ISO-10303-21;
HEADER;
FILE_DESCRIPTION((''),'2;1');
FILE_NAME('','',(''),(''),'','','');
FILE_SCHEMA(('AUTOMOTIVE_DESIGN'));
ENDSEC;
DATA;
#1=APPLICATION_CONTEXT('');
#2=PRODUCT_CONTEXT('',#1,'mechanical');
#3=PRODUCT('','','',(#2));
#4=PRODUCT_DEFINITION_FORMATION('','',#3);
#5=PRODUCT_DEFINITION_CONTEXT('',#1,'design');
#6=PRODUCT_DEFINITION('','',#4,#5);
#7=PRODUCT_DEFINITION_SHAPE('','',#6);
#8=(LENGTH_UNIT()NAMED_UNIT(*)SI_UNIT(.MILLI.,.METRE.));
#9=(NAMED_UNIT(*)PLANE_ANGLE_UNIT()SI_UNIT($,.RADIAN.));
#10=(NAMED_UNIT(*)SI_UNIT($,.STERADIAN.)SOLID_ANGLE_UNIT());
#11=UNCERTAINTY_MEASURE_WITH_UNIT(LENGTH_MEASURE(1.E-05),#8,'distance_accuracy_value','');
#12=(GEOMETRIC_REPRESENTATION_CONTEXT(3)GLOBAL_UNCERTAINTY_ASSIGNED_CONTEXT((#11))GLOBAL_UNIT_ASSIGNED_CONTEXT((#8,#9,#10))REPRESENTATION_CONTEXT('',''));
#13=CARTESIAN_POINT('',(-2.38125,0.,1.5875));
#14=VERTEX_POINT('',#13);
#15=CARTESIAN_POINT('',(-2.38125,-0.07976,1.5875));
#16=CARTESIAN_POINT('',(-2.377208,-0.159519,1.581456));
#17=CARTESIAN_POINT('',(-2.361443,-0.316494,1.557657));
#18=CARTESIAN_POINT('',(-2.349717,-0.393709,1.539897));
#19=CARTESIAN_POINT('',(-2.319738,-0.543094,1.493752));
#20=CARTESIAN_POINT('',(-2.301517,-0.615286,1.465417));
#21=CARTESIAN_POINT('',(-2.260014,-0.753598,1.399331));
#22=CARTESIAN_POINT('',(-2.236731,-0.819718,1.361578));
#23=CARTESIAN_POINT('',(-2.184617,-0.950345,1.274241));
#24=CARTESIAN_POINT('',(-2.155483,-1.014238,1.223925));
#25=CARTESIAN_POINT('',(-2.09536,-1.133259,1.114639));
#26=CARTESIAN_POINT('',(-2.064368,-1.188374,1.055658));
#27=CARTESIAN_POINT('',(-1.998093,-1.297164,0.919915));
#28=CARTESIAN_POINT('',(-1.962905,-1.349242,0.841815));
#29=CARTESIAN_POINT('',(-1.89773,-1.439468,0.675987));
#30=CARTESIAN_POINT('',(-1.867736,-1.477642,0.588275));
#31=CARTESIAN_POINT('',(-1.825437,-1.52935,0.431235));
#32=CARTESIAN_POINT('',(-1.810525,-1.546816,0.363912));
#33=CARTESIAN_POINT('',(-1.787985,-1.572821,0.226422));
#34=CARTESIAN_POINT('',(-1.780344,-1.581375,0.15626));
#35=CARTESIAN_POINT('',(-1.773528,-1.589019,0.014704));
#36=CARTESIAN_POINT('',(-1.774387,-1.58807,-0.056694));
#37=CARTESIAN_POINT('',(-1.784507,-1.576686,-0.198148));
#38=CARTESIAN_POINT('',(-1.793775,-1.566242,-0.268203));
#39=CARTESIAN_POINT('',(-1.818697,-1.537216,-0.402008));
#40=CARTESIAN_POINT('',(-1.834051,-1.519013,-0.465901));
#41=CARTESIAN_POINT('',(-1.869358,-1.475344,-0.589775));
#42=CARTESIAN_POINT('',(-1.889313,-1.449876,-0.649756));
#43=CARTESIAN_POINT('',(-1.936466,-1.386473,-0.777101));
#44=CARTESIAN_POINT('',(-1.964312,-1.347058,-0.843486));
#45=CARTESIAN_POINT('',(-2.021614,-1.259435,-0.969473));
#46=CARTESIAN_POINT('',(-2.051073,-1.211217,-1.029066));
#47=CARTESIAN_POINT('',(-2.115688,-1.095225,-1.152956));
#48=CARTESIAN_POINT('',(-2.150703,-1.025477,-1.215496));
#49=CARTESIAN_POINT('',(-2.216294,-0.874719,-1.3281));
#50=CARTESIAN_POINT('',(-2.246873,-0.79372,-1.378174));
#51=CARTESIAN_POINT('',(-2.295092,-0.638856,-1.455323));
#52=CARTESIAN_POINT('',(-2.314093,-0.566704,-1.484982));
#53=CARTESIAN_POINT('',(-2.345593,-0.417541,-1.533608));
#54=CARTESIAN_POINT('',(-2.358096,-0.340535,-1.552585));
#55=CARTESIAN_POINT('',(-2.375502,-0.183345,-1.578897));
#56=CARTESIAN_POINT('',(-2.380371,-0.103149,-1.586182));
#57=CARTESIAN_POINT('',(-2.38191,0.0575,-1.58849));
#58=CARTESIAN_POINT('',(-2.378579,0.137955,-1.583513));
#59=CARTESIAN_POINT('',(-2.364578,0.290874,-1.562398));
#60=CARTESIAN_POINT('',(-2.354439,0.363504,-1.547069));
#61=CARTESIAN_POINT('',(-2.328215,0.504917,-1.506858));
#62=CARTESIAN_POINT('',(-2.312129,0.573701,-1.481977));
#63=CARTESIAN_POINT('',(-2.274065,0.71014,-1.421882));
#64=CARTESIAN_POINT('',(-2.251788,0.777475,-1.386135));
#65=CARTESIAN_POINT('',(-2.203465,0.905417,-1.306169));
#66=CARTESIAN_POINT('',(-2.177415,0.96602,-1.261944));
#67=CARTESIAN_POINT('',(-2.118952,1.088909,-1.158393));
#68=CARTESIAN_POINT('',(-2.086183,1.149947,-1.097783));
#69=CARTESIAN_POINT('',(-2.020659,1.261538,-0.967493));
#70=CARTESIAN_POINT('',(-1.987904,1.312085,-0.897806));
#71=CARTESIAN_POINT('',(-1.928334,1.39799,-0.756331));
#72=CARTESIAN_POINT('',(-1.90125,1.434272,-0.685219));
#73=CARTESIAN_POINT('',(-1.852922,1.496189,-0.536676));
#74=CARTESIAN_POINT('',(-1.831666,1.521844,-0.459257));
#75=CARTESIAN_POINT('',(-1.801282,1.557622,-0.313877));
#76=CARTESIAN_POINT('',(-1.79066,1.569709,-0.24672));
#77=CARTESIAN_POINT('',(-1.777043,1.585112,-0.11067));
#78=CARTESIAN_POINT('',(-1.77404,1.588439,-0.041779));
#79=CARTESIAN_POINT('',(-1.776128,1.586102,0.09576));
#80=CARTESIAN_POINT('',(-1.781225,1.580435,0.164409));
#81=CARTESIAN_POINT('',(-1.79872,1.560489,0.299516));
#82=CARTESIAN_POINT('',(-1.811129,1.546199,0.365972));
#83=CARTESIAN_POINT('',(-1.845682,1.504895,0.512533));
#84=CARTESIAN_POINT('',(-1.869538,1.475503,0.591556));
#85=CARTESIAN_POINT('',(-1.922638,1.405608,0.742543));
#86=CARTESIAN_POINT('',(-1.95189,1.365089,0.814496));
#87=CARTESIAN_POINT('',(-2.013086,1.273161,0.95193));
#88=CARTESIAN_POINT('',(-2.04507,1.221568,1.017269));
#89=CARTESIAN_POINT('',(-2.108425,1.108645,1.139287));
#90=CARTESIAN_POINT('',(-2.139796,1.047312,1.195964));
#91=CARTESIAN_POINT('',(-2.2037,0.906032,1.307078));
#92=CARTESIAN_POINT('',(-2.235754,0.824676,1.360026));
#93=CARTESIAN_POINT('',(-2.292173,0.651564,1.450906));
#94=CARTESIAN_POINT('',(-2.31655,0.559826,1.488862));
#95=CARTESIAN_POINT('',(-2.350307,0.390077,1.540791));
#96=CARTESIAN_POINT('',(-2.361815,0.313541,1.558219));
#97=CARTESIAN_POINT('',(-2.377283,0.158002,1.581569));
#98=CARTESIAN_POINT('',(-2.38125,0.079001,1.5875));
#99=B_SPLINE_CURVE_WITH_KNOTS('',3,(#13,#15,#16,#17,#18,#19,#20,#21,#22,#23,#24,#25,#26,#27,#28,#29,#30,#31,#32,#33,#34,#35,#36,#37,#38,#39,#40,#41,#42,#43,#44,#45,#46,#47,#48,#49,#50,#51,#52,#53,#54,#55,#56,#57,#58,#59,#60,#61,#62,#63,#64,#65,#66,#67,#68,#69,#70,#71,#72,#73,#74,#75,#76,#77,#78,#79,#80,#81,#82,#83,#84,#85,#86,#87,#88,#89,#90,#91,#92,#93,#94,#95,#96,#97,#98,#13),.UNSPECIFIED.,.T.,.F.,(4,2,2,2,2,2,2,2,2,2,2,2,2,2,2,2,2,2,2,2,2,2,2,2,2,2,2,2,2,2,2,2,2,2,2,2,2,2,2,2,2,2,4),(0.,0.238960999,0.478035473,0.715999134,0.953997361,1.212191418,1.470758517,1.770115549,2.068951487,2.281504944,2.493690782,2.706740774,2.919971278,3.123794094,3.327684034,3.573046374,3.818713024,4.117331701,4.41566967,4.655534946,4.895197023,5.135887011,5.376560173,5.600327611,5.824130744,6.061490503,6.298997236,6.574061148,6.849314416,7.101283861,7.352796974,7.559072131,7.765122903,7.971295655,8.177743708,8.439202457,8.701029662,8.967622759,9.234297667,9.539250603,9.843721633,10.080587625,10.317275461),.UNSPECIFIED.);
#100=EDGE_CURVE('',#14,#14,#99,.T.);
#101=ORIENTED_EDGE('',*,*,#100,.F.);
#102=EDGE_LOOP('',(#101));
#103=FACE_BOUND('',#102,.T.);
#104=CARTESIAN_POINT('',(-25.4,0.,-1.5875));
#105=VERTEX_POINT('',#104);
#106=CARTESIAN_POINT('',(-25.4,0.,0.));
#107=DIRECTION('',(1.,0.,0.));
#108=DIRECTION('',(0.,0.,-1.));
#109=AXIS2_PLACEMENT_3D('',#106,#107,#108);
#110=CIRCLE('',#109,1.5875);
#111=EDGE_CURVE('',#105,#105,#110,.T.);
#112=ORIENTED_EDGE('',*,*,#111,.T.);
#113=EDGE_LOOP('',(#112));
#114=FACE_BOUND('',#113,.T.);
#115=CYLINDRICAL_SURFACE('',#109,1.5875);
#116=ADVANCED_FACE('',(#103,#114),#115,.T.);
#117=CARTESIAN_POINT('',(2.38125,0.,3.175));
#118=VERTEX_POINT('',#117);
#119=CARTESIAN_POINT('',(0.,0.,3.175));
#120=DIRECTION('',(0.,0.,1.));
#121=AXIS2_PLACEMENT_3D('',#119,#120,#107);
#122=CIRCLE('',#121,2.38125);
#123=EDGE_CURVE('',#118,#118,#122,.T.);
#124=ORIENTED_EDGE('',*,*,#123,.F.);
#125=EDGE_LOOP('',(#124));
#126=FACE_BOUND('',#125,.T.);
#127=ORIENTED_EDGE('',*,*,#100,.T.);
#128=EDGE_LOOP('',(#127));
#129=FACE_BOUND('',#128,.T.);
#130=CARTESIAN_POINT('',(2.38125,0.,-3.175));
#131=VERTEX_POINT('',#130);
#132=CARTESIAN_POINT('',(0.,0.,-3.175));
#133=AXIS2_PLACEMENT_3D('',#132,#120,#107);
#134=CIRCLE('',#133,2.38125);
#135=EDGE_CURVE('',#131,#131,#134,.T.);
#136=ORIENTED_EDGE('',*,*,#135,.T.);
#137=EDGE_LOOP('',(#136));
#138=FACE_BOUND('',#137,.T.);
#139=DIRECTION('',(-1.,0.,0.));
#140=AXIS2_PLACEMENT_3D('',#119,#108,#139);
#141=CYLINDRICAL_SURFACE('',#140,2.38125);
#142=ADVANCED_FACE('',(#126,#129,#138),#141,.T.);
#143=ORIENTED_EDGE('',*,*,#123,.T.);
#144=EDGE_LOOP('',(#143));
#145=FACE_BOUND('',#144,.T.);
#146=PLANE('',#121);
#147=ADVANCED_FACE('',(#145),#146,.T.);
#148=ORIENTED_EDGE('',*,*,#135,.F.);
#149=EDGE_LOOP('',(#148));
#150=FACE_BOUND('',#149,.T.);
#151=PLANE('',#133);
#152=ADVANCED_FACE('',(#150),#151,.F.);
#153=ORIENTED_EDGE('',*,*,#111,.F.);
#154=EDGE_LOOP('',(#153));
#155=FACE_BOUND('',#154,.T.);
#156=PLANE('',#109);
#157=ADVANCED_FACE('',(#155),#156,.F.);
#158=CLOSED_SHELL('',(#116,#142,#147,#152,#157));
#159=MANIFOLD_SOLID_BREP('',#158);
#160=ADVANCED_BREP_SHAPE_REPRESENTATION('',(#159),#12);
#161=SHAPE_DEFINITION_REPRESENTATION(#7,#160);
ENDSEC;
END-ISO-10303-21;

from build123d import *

# Parameters (mm, degrees)
SKETCH1_R                         = 2.38125
BRAKE_CABLE_ANCHOR_CYLINDER_DEPTH = 3.175
SKETCH3_R                         = 1.5875
BRAKE_CABLE_SIMULATED_DEPTH       = 25.4


with BuildPart() as part:
    # Sketch1 → Brake Cable Anchor Cylinder (new body, symmetric)
    with BuildSketch(Plane.XY):
        Circle(SKETCH1_R)
    extrude(amount=BRAKE_CABLE_ANCHOR_CYLINDER_DEPTH, both=True)

    # Sketch3 → Brake Cable (simulated) (add)
    with BuildSketch(Plane(origin=(0, 0, 0), x_dir=(0, 0, -1), z_dir=(1, 0, 0))):
        Circle(SKETCH3_R)
    extrude(amount=-BRAKE_CABLE_SIMULATED_DEPTH)


solid = part.part
